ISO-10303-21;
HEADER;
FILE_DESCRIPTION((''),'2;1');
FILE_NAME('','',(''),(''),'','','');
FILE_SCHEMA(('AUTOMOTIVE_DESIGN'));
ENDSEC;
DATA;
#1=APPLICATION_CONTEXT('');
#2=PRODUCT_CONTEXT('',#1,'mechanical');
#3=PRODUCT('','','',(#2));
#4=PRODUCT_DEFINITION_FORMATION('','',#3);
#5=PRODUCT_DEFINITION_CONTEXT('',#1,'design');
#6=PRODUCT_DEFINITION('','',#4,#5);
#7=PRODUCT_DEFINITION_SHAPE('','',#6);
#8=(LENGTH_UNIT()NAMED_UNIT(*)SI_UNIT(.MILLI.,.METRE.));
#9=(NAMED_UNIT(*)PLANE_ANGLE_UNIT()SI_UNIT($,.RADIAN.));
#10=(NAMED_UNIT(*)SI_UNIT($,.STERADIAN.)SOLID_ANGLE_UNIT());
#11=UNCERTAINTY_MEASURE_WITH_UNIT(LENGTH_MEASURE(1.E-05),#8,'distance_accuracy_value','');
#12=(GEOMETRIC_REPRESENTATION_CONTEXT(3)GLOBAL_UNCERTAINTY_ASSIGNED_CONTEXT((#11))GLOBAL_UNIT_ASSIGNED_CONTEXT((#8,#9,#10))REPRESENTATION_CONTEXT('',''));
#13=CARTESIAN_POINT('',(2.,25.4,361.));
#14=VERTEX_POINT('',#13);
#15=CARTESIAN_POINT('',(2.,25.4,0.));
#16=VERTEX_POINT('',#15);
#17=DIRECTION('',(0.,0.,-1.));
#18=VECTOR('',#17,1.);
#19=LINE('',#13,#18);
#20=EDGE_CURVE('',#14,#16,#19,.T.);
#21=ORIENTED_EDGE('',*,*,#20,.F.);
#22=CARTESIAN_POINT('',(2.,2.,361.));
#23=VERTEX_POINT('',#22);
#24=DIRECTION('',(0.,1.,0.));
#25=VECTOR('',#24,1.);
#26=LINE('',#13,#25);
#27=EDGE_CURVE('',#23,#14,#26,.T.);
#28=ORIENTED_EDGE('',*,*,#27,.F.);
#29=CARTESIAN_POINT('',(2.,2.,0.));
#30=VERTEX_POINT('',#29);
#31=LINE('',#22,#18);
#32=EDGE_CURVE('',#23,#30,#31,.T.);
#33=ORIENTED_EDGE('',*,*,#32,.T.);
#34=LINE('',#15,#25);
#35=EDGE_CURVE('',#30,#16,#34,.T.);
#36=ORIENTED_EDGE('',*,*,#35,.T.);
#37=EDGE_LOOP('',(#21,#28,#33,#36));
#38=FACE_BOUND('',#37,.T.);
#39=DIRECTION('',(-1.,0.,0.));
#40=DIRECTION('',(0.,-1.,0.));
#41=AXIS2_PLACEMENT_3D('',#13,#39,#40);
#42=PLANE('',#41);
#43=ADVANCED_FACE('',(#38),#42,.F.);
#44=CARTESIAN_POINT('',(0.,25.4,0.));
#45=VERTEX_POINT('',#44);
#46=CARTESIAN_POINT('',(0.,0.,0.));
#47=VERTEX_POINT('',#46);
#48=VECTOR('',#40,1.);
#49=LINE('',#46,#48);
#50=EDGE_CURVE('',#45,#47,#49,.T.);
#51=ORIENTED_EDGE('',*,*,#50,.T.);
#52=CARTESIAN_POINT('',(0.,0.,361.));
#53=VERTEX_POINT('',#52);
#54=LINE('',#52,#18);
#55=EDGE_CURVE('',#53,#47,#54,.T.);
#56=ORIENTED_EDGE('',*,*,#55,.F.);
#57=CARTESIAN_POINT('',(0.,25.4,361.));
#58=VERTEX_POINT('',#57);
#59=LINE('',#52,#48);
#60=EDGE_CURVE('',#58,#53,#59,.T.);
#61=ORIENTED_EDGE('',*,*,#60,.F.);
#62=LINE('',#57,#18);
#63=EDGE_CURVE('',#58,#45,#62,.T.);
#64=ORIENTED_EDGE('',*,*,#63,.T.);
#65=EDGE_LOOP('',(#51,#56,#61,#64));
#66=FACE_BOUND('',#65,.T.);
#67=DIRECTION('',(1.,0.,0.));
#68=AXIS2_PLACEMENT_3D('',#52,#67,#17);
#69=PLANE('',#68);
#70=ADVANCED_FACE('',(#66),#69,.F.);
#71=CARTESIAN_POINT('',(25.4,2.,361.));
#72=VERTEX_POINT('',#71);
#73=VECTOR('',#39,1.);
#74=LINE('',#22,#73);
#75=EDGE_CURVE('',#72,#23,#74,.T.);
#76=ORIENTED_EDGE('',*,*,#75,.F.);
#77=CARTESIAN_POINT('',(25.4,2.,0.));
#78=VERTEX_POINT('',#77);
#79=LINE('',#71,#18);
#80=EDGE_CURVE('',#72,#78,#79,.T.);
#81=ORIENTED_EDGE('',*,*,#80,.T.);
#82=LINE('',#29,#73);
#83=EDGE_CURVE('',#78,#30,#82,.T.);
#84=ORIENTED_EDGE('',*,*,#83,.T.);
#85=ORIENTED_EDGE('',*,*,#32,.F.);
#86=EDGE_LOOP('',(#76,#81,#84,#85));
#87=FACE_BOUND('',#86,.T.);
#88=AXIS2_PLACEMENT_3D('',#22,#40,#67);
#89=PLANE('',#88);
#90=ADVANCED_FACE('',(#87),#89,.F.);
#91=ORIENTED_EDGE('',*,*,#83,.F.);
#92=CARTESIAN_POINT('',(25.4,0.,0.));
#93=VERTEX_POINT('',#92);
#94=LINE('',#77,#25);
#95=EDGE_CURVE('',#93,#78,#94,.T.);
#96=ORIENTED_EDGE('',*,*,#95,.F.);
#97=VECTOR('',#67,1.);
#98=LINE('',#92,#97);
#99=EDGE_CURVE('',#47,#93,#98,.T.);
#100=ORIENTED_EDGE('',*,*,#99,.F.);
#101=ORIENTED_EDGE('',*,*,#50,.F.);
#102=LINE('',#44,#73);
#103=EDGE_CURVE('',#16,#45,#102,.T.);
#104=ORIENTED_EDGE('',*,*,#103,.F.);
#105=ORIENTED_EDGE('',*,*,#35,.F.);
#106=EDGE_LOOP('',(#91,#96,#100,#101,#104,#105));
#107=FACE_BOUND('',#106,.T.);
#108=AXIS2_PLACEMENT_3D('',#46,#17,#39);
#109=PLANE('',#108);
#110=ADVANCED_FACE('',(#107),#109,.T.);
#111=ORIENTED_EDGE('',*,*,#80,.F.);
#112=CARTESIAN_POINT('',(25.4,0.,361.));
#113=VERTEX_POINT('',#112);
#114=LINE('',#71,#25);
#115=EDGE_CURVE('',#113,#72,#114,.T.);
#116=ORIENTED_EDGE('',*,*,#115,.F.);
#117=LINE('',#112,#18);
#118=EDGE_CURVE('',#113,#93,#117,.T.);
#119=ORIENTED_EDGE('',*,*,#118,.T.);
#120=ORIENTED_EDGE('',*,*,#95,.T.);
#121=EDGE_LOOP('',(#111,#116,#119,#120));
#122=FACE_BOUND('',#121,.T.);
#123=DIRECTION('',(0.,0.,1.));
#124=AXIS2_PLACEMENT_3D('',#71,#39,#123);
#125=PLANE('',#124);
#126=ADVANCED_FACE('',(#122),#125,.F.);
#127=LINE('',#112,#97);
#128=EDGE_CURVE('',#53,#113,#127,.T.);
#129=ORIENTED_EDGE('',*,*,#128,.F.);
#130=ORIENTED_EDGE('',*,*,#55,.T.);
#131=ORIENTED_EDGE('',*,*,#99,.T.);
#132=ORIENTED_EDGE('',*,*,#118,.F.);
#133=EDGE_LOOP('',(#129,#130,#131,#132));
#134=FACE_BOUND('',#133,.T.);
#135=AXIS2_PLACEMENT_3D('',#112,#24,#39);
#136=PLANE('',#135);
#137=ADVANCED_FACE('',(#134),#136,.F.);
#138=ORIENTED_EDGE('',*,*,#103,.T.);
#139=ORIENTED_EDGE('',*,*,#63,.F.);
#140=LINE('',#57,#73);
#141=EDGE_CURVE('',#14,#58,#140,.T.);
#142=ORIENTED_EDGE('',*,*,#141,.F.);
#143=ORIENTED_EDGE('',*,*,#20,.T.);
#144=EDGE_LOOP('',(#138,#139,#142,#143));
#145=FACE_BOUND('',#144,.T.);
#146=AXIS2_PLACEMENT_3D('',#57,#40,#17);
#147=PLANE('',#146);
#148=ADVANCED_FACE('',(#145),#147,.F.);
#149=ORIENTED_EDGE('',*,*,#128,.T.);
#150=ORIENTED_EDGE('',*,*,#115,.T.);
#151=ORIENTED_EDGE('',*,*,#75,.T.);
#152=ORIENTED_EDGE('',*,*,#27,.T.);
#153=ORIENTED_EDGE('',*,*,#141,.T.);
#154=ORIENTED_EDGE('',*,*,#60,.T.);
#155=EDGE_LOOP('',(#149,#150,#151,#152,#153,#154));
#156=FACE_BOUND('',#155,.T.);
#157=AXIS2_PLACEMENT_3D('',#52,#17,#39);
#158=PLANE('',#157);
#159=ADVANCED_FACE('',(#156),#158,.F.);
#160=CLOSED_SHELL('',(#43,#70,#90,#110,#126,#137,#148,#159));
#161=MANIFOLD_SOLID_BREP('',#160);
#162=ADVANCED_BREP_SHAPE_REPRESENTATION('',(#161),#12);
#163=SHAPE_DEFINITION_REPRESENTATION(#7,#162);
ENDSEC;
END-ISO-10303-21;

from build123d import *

# Parameters (mm, degrees)
SALIENTE_EXTRUIR1_DEPTH = 361


with BuildPart() as part:
    # Croquis1 → Saliente-Extruir1 (new body)
    with BuildSketch(Plane.XY):
        Polygon((0, 0), (0, 25.4), (2, 25.4), (2, 2), (25.4, 2), (25.4, 0), align=None)
    extrude(amount=SALIENTE_EXTRUIR1_DEPTH)


solid = part.part
